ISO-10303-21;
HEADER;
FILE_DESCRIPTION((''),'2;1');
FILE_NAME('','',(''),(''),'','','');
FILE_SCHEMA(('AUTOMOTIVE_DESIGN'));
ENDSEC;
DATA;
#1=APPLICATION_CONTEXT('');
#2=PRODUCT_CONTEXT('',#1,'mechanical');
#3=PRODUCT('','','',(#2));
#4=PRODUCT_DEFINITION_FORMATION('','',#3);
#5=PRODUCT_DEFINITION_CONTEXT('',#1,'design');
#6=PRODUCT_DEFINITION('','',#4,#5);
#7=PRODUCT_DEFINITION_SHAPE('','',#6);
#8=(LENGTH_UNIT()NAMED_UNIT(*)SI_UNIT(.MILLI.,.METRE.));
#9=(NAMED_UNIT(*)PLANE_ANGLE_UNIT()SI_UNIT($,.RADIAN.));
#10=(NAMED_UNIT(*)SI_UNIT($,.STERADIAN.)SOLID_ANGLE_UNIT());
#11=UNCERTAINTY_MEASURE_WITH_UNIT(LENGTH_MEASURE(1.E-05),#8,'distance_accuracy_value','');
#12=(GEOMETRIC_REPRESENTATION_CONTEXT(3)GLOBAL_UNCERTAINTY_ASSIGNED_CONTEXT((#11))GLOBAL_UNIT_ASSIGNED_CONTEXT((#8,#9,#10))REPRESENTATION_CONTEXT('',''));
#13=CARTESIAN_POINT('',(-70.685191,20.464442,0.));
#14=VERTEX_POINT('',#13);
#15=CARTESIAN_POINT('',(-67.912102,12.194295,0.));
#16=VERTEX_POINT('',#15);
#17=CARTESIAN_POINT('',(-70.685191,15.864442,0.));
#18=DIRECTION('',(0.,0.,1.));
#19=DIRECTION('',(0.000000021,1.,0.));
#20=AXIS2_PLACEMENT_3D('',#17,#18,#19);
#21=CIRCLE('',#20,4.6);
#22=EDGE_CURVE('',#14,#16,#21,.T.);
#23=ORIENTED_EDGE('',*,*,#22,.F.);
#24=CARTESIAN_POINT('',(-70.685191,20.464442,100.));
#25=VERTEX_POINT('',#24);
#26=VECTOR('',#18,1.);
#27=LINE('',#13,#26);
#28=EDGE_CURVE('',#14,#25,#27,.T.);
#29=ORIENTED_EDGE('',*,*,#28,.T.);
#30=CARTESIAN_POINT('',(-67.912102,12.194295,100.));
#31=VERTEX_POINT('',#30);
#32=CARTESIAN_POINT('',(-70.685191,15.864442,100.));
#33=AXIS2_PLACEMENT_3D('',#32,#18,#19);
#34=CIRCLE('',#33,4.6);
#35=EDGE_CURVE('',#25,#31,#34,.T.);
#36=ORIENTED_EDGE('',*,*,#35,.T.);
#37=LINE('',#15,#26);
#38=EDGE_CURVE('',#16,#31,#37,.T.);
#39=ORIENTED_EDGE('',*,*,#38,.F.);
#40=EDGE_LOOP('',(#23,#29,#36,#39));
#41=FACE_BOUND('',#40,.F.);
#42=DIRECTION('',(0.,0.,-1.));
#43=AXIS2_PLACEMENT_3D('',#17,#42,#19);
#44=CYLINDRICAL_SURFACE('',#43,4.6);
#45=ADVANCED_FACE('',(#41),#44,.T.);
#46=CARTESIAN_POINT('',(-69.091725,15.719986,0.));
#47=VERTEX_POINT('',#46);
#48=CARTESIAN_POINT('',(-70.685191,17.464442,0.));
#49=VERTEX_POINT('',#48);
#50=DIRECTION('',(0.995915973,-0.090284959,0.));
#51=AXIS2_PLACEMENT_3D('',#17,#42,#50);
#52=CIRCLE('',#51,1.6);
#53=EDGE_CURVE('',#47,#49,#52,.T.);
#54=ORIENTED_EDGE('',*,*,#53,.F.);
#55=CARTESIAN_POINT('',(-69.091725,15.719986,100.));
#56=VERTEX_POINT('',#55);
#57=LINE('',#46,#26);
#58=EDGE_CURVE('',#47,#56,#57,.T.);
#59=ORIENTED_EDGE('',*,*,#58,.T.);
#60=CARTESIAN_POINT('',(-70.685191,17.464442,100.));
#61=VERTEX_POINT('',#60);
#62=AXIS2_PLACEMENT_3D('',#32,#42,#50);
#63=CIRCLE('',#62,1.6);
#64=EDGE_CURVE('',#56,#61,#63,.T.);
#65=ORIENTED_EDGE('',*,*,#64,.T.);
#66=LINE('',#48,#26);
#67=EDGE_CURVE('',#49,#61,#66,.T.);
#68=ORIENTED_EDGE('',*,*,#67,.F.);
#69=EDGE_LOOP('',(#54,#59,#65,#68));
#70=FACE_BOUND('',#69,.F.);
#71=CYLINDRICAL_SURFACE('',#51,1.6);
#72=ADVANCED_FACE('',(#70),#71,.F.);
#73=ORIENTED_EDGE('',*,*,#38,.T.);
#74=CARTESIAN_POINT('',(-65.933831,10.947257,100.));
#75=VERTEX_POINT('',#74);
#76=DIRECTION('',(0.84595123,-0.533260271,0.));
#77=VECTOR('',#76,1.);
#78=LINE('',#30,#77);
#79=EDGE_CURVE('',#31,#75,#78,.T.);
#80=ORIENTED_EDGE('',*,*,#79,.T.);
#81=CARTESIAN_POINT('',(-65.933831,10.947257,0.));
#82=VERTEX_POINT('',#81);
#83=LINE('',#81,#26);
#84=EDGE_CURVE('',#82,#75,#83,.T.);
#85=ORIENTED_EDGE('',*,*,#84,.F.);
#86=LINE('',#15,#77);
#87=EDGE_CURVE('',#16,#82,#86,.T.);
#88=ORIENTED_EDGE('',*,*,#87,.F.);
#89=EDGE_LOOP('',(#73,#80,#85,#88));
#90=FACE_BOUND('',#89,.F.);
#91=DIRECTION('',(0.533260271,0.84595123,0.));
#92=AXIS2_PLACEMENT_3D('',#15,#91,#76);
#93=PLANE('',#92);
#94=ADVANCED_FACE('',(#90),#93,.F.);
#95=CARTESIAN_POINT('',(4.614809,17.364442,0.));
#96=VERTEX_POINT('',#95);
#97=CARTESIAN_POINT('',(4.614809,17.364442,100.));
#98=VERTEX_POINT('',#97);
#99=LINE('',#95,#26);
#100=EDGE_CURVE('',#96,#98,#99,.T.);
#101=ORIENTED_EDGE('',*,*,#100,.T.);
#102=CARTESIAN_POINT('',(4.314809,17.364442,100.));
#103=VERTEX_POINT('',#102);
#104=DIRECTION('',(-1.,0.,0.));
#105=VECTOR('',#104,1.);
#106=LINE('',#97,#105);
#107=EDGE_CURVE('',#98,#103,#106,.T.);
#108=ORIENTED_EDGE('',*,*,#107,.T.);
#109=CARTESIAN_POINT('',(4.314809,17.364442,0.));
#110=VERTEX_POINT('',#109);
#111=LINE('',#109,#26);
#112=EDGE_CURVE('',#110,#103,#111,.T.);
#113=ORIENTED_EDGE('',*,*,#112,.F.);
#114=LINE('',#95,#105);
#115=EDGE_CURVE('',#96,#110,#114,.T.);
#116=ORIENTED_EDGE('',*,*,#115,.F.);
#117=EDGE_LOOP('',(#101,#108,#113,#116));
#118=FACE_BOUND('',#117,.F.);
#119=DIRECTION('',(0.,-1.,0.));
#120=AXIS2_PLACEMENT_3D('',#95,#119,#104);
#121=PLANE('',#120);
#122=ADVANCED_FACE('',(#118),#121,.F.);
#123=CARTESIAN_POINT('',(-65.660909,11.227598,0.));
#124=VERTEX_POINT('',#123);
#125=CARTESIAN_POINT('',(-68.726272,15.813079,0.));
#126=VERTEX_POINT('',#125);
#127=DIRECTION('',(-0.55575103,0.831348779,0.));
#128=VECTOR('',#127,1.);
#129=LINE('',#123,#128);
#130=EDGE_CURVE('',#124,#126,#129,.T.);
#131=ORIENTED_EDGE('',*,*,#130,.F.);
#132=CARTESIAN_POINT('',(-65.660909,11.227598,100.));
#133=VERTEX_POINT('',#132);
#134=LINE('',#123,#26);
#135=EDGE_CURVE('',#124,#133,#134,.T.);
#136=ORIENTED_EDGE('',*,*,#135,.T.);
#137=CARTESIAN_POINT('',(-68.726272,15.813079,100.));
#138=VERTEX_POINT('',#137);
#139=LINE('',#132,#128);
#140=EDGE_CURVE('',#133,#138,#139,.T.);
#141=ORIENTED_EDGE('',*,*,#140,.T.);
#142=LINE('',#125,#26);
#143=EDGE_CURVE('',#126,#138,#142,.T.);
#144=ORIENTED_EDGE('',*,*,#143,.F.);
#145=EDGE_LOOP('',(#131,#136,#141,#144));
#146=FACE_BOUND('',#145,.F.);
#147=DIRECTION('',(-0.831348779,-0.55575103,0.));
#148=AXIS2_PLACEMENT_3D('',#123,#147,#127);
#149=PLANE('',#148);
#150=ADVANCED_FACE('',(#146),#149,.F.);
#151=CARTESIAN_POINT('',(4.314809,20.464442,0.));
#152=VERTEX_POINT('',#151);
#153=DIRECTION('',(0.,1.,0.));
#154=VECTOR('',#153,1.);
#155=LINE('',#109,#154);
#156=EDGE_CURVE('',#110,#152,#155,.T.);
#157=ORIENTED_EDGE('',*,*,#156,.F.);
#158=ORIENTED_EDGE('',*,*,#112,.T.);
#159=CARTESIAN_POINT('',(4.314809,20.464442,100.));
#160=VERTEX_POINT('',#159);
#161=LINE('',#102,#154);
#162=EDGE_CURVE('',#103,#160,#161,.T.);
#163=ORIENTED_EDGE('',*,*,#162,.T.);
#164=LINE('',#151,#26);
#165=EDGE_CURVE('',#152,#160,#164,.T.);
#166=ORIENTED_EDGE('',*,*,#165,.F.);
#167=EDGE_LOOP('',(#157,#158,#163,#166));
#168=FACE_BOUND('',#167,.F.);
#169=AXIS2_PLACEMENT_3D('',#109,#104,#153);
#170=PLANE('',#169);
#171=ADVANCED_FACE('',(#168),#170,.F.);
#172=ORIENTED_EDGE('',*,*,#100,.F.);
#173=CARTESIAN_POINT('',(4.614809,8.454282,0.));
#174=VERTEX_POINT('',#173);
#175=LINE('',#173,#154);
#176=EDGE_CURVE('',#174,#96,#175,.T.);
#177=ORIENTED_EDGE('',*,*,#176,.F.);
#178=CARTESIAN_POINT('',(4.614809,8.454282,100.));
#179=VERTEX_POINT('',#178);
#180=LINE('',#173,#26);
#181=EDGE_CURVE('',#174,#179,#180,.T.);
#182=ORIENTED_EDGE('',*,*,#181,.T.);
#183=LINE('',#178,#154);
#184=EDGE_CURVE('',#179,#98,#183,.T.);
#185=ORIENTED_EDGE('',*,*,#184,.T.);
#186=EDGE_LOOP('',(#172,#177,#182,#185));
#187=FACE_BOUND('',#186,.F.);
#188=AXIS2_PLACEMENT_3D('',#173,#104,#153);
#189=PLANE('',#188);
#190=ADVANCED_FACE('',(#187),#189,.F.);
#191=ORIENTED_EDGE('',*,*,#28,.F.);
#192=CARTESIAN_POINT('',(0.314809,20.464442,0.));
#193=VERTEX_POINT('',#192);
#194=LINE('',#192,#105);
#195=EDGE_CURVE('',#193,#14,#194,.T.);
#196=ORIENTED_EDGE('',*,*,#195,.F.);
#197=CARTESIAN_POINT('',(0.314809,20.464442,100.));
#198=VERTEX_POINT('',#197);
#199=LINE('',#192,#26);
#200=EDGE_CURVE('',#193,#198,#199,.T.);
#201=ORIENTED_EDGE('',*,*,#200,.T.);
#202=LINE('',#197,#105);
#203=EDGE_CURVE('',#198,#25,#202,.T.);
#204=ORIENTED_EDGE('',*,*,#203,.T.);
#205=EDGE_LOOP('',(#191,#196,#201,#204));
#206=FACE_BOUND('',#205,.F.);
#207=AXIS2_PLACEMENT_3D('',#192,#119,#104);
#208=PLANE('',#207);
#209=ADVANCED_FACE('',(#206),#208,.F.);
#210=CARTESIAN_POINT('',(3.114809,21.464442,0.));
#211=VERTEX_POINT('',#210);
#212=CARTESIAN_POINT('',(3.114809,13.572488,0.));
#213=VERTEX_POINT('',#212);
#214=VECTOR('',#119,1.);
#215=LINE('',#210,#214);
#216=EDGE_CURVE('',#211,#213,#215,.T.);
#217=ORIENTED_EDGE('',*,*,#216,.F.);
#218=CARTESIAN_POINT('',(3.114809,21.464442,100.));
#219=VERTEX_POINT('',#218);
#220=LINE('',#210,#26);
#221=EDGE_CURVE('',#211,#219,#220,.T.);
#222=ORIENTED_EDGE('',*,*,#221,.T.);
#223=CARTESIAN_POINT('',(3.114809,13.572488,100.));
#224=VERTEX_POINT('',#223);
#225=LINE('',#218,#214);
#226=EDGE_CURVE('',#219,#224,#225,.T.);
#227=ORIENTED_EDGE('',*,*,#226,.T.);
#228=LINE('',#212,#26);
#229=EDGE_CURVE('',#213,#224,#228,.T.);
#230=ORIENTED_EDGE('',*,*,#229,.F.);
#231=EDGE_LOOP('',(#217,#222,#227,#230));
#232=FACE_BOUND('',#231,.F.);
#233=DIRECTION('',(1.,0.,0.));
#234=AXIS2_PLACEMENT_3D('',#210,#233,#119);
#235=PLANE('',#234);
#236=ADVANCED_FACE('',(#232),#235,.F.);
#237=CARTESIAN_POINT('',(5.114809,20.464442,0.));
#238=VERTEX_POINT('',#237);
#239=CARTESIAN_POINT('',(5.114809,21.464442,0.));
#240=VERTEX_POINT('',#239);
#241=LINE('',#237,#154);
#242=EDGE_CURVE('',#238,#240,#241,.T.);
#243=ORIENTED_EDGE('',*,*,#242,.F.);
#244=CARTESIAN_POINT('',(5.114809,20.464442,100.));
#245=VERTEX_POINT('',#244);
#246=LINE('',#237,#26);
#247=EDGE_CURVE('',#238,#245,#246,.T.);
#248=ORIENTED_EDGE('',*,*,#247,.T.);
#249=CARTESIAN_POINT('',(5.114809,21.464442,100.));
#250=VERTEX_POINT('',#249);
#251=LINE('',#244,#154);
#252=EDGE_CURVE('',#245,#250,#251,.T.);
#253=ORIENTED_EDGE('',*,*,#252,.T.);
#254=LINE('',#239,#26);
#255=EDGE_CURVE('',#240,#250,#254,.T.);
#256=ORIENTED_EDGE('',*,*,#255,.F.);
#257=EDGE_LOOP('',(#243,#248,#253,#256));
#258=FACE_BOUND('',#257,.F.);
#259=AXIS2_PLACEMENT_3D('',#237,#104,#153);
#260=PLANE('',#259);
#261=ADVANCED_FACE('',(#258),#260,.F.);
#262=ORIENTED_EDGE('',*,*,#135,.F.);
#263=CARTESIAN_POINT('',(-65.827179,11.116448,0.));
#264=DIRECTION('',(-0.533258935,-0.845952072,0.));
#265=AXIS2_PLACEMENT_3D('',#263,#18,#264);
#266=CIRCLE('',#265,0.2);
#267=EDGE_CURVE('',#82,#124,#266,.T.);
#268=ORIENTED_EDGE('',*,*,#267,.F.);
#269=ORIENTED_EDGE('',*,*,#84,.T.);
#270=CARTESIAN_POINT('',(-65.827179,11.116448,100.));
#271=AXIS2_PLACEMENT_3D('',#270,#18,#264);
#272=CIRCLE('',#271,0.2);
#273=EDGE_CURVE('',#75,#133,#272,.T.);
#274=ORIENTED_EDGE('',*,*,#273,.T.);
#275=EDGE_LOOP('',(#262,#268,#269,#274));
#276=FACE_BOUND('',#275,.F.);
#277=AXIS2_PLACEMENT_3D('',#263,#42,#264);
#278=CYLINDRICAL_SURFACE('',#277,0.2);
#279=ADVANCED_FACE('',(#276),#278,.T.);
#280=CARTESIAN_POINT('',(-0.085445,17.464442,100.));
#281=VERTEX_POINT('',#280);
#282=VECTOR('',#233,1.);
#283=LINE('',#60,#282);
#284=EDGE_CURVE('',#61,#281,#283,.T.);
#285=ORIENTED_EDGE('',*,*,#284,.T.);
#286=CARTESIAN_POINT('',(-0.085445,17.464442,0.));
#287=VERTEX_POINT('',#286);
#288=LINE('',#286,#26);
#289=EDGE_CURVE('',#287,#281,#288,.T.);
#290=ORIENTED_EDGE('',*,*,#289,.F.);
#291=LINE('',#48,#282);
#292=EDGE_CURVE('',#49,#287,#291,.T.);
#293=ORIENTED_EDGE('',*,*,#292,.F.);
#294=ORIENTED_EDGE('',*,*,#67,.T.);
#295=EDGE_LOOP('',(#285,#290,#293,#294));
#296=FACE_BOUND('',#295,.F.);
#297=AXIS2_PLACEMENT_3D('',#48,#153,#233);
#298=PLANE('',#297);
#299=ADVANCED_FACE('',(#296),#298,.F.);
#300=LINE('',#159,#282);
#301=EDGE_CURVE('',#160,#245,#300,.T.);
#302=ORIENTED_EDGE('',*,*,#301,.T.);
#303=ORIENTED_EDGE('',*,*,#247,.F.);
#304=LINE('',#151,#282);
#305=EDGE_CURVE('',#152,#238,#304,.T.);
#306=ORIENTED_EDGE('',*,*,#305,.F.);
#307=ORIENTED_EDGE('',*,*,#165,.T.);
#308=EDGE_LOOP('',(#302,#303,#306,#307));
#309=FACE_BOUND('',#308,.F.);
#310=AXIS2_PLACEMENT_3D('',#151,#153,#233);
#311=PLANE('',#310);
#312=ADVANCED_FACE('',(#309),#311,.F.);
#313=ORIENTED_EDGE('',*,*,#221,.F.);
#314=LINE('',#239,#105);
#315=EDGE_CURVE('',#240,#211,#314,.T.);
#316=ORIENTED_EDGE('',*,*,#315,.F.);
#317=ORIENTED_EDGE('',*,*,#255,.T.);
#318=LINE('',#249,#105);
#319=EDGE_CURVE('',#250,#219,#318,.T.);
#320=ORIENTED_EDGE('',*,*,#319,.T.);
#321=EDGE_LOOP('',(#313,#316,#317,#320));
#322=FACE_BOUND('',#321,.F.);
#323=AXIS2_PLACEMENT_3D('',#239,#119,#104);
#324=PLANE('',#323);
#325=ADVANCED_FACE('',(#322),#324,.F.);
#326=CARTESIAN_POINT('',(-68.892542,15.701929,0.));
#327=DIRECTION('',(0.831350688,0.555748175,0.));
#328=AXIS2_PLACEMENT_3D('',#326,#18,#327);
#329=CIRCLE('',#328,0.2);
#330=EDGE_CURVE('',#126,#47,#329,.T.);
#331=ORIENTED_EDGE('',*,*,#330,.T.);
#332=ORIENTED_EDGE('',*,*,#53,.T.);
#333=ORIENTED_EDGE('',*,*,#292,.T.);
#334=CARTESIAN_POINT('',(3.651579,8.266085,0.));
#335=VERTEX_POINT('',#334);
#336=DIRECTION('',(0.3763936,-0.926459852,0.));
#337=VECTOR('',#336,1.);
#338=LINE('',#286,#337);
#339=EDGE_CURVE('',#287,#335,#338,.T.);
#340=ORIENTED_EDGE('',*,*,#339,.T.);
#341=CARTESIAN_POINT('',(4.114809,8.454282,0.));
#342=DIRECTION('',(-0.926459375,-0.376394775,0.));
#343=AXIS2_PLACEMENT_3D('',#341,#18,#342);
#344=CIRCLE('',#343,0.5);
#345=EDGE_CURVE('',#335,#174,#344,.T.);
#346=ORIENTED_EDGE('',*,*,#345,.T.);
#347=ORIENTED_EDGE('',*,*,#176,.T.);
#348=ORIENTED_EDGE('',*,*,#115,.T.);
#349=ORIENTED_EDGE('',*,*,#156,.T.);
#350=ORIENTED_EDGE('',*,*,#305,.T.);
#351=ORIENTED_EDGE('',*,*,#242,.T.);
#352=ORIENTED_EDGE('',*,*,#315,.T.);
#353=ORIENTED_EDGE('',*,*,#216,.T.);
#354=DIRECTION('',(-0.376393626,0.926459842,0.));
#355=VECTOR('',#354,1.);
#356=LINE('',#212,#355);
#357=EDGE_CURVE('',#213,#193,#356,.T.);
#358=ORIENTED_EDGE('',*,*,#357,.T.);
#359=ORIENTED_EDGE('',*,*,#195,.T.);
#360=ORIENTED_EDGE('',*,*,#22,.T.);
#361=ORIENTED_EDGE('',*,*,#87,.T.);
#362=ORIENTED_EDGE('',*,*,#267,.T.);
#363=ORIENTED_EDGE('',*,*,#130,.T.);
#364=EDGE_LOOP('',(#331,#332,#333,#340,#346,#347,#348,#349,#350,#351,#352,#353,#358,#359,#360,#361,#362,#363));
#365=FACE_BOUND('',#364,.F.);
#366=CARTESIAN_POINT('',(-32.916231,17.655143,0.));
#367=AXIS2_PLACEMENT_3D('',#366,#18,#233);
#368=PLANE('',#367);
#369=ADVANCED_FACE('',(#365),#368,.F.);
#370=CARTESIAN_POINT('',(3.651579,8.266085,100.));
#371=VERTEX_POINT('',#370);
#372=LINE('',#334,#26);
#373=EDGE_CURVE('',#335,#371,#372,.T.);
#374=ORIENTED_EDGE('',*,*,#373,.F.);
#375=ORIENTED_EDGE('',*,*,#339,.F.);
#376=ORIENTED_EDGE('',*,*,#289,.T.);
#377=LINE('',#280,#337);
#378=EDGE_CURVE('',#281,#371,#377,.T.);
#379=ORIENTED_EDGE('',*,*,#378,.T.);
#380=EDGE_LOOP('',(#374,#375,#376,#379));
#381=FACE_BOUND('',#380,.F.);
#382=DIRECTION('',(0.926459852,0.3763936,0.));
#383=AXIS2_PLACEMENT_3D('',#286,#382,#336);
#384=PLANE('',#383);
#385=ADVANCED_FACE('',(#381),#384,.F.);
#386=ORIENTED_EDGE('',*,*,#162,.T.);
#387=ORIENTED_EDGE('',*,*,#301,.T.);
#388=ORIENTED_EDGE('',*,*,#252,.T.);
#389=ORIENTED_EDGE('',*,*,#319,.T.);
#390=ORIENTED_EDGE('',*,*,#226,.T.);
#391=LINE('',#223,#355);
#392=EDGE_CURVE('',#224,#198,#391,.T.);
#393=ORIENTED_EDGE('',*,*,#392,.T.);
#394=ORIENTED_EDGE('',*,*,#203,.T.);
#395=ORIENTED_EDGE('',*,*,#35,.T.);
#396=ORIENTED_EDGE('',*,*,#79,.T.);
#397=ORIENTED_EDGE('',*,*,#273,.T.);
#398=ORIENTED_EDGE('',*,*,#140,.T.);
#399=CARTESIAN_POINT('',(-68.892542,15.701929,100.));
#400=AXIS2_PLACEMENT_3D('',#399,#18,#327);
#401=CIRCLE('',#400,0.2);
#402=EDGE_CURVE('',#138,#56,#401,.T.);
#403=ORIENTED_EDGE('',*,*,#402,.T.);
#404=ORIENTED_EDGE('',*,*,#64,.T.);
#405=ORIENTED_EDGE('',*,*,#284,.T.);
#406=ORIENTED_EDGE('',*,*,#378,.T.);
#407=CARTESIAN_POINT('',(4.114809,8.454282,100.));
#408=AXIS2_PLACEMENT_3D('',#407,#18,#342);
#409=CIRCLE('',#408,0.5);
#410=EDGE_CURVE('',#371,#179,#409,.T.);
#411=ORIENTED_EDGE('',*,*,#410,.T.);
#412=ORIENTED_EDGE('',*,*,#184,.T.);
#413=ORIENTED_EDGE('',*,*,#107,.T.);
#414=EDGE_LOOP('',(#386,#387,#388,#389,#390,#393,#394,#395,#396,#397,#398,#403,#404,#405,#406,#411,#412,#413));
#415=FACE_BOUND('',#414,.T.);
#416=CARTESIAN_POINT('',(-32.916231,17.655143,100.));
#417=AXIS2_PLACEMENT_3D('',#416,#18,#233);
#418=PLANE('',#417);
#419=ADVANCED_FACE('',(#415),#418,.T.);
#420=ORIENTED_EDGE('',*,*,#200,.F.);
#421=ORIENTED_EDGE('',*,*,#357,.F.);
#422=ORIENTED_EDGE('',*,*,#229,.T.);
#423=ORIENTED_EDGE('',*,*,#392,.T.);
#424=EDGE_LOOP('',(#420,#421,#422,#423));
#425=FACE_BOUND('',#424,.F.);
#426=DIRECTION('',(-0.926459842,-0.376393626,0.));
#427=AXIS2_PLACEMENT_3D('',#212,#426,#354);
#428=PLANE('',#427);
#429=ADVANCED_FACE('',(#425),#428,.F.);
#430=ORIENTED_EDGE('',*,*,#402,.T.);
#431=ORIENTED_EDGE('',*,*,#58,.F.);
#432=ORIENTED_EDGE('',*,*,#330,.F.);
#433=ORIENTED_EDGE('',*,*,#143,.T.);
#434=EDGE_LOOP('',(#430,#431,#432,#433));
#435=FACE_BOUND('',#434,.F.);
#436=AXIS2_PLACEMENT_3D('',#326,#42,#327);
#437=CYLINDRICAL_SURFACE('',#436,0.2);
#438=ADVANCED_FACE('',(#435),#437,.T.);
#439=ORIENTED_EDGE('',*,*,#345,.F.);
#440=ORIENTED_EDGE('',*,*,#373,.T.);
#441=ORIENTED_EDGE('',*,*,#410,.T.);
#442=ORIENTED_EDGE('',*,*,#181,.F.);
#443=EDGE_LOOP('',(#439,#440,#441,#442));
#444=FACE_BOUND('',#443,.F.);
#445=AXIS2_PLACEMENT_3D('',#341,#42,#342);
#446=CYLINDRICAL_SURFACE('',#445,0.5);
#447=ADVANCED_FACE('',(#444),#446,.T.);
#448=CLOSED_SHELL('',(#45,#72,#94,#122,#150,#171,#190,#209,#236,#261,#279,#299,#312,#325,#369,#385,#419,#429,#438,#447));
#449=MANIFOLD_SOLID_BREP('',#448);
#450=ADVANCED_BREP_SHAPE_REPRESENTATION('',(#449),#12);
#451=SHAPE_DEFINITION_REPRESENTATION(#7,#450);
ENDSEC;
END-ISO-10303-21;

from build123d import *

# Parameters (mm, degrees)
F1_DEPTH = 100


with BuildPart() as f1:
    # F0 (on Top) → F1 (new body)
    with BuildSketch(Plane.XY):
        with BuildLine():
            Line((-70.685191, 17.464442), (-0.085445, 17.464442))
            Line((-0.085445, 17.464442), (3.651579, 8.266085))
            ThreePointArc((3.651579, 8.266085), (4.210687, 7.963561), (4.614809, 8.454282))
            Line((4.614809, 8.454282), (4.614809, 17.364442))
            Line((4.614809, 17.364442), (4.314809, 17.364442))
            Line((4.314809, 17.364442), (4.314809, 20.464442))
            Line((4.314809, 20.464442), (4.614809, 20.464442))
            Line((4.614809, 20.464442), (5.114809, 20.464442))
            Line((5.114809, 20.464442), (5.114809, 21.464442))
            Line((5.114809, 21.464442), (3.114809, 21.464442))
            Line((3.114809, 21.464442), (3.114809, 13.572488))
            Line((3.114809, 13.572488), (0.314809, 20.464442))
            Line((0.314809, 20.464442), (-70.685191, 20.464442))
            ThreePointArc((-70.685191, 20.464442), (-75.046537, 14.402025), (-67.912102, 12.194295))
            Line((-67.912102, 12.194295), (-65.933831, 10.947257))
            ThreePointArc((-65.933831, 10.947257), (-65.683874, 10.976935), (-65.660909, 11.227598))
            Line((-65.660909, 11.227598), (-68.726272, 15.813079))
            ThreePointArc((-68.726272, 15.813079), (-68.941912, 15.89574), (-69.091725, 15.719986))
            ThreePointArc((-69.091725, 15.719986), (-71.866531, 14.785352), (-70.685191, 17.464442))
        make_face()
    extrude(amount=F1_DEPTH)


solid = f1.part
